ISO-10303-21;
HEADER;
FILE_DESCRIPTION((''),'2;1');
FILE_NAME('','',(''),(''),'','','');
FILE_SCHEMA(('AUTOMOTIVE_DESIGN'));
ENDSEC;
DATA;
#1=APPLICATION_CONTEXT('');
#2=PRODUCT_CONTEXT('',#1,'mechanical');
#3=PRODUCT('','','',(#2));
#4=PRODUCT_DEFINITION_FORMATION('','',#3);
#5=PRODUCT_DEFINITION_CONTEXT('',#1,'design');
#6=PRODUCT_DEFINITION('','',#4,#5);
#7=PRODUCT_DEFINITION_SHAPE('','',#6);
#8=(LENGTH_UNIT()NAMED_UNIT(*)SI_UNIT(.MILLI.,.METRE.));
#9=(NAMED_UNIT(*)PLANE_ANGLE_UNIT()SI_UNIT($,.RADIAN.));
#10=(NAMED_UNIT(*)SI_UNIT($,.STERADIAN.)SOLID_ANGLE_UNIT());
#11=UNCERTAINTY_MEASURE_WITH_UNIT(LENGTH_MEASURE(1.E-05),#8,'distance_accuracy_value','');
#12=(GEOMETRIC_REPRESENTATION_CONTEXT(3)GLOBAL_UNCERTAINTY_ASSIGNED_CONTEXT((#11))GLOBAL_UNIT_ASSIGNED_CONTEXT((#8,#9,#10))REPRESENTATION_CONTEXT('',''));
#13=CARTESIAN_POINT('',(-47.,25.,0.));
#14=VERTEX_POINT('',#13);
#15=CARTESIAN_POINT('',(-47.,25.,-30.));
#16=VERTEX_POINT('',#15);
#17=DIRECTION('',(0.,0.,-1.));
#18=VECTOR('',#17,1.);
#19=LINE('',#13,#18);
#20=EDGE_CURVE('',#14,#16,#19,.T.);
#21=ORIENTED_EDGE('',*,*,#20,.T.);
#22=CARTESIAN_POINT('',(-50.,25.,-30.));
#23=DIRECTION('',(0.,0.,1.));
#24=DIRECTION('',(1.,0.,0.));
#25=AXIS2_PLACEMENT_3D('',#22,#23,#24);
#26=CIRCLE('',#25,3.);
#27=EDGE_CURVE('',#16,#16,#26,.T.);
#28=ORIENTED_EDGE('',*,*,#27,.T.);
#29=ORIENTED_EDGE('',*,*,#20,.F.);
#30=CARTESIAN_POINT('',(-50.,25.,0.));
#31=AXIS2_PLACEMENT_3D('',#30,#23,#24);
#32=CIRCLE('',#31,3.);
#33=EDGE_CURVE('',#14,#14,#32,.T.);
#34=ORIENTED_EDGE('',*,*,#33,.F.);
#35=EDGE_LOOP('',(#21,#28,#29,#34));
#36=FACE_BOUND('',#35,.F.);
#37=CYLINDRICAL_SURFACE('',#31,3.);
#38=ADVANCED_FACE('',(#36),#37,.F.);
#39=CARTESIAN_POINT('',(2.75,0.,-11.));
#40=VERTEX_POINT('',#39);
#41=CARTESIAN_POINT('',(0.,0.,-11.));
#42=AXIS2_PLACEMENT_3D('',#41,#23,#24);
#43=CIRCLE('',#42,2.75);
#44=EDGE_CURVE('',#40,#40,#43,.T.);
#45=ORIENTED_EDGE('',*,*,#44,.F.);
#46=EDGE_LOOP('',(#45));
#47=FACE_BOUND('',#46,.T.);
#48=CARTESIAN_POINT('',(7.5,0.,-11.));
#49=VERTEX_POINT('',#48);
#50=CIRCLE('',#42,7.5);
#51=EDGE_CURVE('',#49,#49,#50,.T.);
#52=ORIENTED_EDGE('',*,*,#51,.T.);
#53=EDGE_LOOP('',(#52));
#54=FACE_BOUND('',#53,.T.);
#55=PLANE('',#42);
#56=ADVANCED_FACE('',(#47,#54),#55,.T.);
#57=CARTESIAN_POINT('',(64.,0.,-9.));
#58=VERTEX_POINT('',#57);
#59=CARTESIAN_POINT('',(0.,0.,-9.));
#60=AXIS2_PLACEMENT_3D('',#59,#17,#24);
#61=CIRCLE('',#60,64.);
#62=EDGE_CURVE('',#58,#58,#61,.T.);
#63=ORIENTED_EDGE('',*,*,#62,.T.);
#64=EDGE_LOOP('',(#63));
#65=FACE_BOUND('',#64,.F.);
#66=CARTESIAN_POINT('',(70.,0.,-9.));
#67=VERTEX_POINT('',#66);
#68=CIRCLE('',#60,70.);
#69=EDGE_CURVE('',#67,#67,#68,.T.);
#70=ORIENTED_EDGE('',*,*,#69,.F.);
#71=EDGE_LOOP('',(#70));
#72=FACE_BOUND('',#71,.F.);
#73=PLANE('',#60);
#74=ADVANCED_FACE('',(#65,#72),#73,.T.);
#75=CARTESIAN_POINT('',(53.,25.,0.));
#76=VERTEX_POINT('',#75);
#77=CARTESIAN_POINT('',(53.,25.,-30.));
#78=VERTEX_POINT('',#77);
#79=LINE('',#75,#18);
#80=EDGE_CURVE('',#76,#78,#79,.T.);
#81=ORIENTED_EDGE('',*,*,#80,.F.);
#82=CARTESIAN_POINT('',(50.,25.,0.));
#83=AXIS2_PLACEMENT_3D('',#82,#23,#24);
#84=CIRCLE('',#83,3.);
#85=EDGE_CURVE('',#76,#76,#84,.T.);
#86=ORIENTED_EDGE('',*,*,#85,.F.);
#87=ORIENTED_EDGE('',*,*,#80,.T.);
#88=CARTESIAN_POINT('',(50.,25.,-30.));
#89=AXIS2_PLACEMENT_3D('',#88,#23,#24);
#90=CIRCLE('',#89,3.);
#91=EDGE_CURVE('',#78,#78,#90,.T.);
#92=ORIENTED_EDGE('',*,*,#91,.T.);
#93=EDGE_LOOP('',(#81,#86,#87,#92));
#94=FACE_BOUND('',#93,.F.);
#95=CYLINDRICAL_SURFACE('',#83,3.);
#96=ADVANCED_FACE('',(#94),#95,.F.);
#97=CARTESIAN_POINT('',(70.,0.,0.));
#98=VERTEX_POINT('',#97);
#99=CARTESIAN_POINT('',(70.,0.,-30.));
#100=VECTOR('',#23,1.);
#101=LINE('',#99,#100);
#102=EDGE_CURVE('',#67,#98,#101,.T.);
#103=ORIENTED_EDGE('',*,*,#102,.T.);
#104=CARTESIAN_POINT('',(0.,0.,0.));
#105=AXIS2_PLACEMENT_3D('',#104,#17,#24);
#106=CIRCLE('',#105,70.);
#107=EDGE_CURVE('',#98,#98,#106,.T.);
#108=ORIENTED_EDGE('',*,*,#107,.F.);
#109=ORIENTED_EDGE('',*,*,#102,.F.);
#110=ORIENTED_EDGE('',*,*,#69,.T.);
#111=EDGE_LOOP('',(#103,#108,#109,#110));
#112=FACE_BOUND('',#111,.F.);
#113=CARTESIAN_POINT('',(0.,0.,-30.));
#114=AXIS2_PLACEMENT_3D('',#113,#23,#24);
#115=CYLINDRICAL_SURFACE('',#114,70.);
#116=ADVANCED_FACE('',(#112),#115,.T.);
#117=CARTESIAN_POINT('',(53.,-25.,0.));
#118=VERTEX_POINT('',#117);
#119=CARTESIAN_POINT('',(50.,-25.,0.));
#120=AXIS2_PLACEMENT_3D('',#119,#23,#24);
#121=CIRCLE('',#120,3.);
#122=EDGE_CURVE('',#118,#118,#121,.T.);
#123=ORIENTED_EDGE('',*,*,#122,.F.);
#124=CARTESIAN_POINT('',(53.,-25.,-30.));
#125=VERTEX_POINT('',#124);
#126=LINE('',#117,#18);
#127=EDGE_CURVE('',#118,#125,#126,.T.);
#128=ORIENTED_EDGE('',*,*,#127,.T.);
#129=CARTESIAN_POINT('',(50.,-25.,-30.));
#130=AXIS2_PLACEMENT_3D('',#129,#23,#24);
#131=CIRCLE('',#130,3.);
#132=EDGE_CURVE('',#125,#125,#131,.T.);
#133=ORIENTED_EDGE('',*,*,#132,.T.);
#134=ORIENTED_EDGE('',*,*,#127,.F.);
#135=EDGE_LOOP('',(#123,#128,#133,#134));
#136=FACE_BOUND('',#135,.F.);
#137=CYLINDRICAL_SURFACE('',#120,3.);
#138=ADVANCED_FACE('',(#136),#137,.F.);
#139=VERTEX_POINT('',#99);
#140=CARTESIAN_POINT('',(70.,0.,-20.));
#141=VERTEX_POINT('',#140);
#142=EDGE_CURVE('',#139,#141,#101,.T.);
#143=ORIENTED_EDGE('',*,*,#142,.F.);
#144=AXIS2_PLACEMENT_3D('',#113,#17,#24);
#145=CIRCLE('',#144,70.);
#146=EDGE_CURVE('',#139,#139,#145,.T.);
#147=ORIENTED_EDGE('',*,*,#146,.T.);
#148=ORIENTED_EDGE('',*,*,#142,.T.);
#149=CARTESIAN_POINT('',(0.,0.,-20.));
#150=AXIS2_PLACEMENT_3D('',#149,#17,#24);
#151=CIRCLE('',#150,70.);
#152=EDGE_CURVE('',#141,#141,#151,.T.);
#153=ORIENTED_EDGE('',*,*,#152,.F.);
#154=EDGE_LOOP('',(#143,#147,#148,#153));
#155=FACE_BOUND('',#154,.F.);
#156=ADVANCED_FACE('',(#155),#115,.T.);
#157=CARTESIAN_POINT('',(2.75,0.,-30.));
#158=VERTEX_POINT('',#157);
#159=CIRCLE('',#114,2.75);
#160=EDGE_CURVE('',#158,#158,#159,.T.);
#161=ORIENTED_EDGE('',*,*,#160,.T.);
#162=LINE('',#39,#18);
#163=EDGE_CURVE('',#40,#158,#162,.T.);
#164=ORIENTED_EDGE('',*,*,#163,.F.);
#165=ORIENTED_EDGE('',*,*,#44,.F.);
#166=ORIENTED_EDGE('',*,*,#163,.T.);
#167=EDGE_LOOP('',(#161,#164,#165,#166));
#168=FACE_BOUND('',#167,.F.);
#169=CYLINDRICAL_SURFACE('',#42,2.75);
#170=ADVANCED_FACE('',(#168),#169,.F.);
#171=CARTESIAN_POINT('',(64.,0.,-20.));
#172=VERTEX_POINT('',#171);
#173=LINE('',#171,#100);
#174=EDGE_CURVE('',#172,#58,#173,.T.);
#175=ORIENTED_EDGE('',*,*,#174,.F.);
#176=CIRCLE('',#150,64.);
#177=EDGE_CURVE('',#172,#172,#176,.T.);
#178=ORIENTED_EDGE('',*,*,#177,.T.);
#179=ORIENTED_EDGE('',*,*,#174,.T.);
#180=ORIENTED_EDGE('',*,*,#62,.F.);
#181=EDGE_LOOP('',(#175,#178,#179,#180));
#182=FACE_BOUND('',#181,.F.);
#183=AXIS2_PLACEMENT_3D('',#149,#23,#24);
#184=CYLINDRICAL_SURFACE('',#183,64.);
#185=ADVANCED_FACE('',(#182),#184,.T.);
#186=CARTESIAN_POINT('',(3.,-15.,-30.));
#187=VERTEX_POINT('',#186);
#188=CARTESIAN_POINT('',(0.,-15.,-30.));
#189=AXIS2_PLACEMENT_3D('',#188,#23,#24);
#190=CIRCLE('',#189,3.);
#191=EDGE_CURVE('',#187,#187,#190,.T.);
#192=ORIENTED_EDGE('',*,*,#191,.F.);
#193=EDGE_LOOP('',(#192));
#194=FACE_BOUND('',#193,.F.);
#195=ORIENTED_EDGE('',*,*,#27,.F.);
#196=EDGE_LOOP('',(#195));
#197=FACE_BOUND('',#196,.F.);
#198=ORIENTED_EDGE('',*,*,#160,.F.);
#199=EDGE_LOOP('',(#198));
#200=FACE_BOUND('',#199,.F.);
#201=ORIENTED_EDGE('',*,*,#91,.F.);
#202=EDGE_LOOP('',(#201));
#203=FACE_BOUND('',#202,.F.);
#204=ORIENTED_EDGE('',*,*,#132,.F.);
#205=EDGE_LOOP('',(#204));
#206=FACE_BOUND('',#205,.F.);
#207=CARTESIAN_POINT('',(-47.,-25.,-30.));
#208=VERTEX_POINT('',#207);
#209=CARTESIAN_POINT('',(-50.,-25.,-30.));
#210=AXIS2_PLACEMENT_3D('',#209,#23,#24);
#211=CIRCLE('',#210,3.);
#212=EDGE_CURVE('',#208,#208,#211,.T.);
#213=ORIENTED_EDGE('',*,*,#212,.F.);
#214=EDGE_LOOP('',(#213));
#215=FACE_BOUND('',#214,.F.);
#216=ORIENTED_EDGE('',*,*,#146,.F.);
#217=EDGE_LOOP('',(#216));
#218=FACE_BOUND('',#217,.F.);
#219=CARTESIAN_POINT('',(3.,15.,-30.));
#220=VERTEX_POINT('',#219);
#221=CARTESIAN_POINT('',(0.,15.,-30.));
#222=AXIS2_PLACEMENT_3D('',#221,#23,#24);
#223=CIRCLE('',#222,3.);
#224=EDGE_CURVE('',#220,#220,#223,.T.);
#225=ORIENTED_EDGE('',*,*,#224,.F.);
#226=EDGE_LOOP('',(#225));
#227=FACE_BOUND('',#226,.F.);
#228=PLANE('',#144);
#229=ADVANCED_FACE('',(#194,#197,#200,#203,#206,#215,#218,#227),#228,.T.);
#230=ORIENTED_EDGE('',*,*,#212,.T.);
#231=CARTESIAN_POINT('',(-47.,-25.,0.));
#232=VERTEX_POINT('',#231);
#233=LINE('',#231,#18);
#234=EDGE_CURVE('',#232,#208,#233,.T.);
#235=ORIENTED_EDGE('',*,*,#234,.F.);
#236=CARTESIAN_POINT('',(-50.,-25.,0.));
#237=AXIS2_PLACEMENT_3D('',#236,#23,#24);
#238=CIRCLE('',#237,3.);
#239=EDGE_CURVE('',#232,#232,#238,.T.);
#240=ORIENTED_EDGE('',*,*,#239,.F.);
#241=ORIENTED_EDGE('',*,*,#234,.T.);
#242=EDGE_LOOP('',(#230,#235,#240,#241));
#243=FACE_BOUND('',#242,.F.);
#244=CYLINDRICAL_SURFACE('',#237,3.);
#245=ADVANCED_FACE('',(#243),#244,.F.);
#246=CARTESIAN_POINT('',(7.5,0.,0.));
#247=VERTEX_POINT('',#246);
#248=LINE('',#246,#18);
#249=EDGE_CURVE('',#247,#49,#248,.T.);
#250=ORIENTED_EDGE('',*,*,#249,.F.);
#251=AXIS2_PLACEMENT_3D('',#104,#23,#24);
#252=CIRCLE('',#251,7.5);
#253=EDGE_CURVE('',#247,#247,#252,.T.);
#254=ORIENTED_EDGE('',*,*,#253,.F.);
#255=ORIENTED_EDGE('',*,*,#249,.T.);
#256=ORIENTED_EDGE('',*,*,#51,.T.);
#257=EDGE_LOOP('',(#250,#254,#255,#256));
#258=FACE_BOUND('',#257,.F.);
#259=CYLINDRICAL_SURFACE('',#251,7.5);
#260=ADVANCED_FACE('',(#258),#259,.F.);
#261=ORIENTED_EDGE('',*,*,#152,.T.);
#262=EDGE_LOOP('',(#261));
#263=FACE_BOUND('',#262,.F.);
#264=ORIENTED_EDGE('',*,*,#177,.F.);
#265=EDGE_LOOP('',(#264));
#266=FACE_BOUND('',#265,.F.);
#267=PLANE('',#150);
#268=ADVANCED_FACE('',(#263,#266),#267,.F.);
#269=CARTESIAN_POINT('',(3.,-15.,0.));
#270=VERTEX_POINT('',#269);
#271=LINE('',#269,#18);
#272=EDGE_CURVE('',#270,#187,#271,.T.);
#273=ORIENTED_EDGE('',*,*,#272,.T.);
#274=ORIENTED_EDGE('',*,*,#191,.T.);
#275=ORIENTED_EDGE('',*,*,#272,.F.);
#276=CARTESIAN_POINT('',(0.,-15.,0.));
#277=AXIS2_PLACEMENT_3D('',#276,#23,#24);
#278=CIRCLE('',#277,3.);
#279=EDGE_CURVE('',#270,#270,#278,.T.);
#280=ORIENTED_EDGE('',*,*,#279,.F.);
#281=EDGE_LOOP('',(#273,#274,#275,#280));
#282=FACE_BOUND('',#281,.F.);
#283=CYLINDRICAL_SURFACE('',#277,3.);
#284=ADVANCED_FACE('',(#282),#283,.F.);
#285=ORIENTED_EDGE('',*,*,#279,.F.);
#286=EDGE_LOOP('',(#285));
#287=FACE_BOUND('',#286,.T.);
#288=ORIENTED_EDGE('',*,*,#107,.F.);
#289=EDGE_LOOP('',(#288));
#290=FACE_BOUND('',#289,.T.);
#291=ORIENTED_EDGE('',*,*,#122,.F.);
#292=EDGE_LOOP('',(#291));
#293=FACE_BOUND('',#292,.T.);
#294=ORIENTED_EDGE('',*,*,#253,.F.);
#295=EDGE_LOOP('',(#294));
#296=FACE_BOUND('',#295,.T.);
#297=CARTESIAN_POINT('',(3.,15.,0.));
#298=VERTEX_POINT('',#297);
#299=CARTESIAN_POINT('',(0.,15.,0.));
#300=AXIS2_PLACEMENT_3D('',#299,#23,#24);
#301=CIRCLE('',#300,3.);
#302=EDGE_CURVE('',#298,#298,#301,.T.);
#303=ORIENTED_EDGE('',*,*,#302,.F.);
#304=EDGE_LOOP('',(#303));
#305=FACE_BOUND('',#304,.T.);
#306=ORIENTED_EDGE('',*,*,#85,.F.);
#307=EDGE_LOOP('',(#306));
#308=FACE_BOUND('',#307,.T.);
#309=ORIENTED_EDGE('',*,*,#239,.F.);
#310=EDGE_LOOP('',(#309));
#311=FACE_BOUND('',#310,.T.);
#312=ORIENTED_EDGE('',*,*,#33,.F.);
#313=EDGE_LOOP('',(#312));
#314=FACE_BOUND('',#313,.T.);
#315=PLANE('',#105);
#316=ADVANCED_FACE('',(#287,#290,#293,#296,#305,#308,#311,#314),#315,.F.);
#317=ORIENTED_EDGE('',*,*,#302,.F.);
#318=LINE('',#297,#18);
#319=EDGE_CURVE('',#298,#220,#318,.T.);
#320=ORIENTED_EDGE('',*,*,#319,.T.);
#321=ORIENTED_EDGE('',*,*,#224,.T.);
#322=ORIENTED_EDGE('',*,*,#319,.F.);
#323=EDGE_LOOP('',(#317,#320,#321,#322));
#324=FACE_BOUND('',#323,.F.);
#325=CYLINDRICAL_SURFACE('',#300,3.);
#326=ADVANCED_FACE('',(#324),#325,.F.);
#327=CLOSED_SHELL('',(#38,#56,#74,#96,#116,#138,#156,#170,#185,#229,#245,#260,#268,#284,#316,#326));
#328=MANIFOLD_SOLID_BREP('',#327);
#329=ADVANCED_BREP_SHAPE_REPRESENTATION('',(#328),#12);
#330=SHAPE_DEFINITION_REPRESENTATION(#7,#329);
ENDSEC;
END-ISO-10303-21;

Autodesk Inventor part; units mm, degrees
ref_plane "YZ Plane" through (0, 0, 0) normal (1, 0, 0) x (0, 1, 0)
ref_plane "XZ Plane" through (0, 0, 0) normal (0, 1, 0) x (-1, 0, 0)
ref_plane "XY Plane" through (0, 0, 0) normal (0, 0, 1) x (1, 0, 0)
ref_plane "Work Plane1" through (-40, 0, 12) normal (0, 1, 0) x (1, 0, 0)
sketch "Sketch2" plane through (-40, 0, 12) normal (0, 1, 0) x (1, 0, 0)
  line L0 (-30, 12) -> (110, 12) projected
  line L1 (40, 12) -> (40, 42)
  line L2 (40, 42) -> (110, 42)
  line L3 (110, 42) -> (110, 12)
  line L4 (110, 32) -> (104, 32)
  line L5 (104, 32) -> (104, 21)
  line L6 (104, 21) -> (110, 21)
  line L7 (110, 12) -> (40, 12)
  line L8 (40, 12) -> (40, 7)
  line L9 (40, 7) -> (110, 7)
  line L10 (110, 7) -> (110, 12)
  dimension "d3" = 30
  dimension "d4" = 10
  dimension "d5" = 11
  dimension "d6" = 6
  dimension "d17" = 5
revolve "Revolution1" add sketch "Sketch2" angle 360 about axis through (0, 0, 0) along (0, 0, -1) contours L1 L2 L3 L4 L5 L6 L0
sketch "Sketch3" plane through (0, 0, 0) normal (0, 0, 1) x (1, 0, 0)
  circle A0 centre (0, 0) radius 7.5
  dimension "d11" = 15
sketch "Sketch4" plane through (0, 0, 0) normal (0, 0, 1) x (1, 0, 0)
  circle A0 centre (50, 25) radius 2.05 projected
  circle A1 centre (-50, -25) radius 2.05 projected
  circle A2 centre (0, 15) radius 2.05 projected
  circle A3 centre (50, -25) radius 2.05 projected
  circle A4 centre (0, -15) radius 2.05 projected
  circle A5 centre (-50, 25) radius 2.05 projected
  line L0 (-40, 55) -> (40, 55) projected
  line L1 (40, 25) -> (40, 55) projected
  line L2 (40, 25) -> (-40, 25) projected
  line L3 (-40, 55) -> (-40, 25) projected
  line L4 (-40, -31) -> (40, -31) projected
  line L5 (40, -57.4456) -> (40, -31) projected
  arc A6 (40, -57.4456) -> (-40, -57.4456) centre (0, 0) ccw projected
  line L6 (-40, -31) -> (-40, -57.4456) projected
  circle A7 centre (-50, 25) radius 3
  circle A8 centre (-50, -25) radius 3
  circle A9 centre (0, -15) radius 3
  circle A10 centre (0, 15) radius 3
  circle A11 centre (50, 25) radius 3
  circle A12 centre (50, -25) radius 3
  dimension "d8" = 6
extrude "Extrusion2" cut sketch "Sketch4" against normal through all contours A0 | A1 | A2 | A3 | A4 | A5 | A7 | A8 | A9 | A10 | A11 | A12
extrude "Extrusion3" cut sketch "Sketch3" against normal blind 11
sketch "Sketch5" plane through (0, 0, -11) normal (0, 0, 1) x (1, 0, 0)
  circle A0 centre (0, 0) radius 2.75
  dimension "d14" = 5.5
extrude "Extrusion4" cut sketch "Sketch5" against normal through all
sketch "Sketch6" plane through (0, 0, 0) normal (0, 0, 1) x (1, 0, 0)
  point P0 (0, 0)
equation "\"BendRadius\" = Thickness"
equation "\"BendReliefWidth\" = Thickness"
equation "\"BendReliefDepth\" = 0.5 * Thickness"
equation "\"CornerReliefSize\" = 4 * Thickness"
equation "\"MinimumRemnant\" = 2 * Thickness"
equation "\"TransitionRadius\" = BendRadius"
equation "\"JacobiRadiusSize\" = BendRadius"
equation "\"GapSize\" = Thickness"
equation "\"Thickness\" = 3.048"
properties part number "base-top-plate_3DPrint"
